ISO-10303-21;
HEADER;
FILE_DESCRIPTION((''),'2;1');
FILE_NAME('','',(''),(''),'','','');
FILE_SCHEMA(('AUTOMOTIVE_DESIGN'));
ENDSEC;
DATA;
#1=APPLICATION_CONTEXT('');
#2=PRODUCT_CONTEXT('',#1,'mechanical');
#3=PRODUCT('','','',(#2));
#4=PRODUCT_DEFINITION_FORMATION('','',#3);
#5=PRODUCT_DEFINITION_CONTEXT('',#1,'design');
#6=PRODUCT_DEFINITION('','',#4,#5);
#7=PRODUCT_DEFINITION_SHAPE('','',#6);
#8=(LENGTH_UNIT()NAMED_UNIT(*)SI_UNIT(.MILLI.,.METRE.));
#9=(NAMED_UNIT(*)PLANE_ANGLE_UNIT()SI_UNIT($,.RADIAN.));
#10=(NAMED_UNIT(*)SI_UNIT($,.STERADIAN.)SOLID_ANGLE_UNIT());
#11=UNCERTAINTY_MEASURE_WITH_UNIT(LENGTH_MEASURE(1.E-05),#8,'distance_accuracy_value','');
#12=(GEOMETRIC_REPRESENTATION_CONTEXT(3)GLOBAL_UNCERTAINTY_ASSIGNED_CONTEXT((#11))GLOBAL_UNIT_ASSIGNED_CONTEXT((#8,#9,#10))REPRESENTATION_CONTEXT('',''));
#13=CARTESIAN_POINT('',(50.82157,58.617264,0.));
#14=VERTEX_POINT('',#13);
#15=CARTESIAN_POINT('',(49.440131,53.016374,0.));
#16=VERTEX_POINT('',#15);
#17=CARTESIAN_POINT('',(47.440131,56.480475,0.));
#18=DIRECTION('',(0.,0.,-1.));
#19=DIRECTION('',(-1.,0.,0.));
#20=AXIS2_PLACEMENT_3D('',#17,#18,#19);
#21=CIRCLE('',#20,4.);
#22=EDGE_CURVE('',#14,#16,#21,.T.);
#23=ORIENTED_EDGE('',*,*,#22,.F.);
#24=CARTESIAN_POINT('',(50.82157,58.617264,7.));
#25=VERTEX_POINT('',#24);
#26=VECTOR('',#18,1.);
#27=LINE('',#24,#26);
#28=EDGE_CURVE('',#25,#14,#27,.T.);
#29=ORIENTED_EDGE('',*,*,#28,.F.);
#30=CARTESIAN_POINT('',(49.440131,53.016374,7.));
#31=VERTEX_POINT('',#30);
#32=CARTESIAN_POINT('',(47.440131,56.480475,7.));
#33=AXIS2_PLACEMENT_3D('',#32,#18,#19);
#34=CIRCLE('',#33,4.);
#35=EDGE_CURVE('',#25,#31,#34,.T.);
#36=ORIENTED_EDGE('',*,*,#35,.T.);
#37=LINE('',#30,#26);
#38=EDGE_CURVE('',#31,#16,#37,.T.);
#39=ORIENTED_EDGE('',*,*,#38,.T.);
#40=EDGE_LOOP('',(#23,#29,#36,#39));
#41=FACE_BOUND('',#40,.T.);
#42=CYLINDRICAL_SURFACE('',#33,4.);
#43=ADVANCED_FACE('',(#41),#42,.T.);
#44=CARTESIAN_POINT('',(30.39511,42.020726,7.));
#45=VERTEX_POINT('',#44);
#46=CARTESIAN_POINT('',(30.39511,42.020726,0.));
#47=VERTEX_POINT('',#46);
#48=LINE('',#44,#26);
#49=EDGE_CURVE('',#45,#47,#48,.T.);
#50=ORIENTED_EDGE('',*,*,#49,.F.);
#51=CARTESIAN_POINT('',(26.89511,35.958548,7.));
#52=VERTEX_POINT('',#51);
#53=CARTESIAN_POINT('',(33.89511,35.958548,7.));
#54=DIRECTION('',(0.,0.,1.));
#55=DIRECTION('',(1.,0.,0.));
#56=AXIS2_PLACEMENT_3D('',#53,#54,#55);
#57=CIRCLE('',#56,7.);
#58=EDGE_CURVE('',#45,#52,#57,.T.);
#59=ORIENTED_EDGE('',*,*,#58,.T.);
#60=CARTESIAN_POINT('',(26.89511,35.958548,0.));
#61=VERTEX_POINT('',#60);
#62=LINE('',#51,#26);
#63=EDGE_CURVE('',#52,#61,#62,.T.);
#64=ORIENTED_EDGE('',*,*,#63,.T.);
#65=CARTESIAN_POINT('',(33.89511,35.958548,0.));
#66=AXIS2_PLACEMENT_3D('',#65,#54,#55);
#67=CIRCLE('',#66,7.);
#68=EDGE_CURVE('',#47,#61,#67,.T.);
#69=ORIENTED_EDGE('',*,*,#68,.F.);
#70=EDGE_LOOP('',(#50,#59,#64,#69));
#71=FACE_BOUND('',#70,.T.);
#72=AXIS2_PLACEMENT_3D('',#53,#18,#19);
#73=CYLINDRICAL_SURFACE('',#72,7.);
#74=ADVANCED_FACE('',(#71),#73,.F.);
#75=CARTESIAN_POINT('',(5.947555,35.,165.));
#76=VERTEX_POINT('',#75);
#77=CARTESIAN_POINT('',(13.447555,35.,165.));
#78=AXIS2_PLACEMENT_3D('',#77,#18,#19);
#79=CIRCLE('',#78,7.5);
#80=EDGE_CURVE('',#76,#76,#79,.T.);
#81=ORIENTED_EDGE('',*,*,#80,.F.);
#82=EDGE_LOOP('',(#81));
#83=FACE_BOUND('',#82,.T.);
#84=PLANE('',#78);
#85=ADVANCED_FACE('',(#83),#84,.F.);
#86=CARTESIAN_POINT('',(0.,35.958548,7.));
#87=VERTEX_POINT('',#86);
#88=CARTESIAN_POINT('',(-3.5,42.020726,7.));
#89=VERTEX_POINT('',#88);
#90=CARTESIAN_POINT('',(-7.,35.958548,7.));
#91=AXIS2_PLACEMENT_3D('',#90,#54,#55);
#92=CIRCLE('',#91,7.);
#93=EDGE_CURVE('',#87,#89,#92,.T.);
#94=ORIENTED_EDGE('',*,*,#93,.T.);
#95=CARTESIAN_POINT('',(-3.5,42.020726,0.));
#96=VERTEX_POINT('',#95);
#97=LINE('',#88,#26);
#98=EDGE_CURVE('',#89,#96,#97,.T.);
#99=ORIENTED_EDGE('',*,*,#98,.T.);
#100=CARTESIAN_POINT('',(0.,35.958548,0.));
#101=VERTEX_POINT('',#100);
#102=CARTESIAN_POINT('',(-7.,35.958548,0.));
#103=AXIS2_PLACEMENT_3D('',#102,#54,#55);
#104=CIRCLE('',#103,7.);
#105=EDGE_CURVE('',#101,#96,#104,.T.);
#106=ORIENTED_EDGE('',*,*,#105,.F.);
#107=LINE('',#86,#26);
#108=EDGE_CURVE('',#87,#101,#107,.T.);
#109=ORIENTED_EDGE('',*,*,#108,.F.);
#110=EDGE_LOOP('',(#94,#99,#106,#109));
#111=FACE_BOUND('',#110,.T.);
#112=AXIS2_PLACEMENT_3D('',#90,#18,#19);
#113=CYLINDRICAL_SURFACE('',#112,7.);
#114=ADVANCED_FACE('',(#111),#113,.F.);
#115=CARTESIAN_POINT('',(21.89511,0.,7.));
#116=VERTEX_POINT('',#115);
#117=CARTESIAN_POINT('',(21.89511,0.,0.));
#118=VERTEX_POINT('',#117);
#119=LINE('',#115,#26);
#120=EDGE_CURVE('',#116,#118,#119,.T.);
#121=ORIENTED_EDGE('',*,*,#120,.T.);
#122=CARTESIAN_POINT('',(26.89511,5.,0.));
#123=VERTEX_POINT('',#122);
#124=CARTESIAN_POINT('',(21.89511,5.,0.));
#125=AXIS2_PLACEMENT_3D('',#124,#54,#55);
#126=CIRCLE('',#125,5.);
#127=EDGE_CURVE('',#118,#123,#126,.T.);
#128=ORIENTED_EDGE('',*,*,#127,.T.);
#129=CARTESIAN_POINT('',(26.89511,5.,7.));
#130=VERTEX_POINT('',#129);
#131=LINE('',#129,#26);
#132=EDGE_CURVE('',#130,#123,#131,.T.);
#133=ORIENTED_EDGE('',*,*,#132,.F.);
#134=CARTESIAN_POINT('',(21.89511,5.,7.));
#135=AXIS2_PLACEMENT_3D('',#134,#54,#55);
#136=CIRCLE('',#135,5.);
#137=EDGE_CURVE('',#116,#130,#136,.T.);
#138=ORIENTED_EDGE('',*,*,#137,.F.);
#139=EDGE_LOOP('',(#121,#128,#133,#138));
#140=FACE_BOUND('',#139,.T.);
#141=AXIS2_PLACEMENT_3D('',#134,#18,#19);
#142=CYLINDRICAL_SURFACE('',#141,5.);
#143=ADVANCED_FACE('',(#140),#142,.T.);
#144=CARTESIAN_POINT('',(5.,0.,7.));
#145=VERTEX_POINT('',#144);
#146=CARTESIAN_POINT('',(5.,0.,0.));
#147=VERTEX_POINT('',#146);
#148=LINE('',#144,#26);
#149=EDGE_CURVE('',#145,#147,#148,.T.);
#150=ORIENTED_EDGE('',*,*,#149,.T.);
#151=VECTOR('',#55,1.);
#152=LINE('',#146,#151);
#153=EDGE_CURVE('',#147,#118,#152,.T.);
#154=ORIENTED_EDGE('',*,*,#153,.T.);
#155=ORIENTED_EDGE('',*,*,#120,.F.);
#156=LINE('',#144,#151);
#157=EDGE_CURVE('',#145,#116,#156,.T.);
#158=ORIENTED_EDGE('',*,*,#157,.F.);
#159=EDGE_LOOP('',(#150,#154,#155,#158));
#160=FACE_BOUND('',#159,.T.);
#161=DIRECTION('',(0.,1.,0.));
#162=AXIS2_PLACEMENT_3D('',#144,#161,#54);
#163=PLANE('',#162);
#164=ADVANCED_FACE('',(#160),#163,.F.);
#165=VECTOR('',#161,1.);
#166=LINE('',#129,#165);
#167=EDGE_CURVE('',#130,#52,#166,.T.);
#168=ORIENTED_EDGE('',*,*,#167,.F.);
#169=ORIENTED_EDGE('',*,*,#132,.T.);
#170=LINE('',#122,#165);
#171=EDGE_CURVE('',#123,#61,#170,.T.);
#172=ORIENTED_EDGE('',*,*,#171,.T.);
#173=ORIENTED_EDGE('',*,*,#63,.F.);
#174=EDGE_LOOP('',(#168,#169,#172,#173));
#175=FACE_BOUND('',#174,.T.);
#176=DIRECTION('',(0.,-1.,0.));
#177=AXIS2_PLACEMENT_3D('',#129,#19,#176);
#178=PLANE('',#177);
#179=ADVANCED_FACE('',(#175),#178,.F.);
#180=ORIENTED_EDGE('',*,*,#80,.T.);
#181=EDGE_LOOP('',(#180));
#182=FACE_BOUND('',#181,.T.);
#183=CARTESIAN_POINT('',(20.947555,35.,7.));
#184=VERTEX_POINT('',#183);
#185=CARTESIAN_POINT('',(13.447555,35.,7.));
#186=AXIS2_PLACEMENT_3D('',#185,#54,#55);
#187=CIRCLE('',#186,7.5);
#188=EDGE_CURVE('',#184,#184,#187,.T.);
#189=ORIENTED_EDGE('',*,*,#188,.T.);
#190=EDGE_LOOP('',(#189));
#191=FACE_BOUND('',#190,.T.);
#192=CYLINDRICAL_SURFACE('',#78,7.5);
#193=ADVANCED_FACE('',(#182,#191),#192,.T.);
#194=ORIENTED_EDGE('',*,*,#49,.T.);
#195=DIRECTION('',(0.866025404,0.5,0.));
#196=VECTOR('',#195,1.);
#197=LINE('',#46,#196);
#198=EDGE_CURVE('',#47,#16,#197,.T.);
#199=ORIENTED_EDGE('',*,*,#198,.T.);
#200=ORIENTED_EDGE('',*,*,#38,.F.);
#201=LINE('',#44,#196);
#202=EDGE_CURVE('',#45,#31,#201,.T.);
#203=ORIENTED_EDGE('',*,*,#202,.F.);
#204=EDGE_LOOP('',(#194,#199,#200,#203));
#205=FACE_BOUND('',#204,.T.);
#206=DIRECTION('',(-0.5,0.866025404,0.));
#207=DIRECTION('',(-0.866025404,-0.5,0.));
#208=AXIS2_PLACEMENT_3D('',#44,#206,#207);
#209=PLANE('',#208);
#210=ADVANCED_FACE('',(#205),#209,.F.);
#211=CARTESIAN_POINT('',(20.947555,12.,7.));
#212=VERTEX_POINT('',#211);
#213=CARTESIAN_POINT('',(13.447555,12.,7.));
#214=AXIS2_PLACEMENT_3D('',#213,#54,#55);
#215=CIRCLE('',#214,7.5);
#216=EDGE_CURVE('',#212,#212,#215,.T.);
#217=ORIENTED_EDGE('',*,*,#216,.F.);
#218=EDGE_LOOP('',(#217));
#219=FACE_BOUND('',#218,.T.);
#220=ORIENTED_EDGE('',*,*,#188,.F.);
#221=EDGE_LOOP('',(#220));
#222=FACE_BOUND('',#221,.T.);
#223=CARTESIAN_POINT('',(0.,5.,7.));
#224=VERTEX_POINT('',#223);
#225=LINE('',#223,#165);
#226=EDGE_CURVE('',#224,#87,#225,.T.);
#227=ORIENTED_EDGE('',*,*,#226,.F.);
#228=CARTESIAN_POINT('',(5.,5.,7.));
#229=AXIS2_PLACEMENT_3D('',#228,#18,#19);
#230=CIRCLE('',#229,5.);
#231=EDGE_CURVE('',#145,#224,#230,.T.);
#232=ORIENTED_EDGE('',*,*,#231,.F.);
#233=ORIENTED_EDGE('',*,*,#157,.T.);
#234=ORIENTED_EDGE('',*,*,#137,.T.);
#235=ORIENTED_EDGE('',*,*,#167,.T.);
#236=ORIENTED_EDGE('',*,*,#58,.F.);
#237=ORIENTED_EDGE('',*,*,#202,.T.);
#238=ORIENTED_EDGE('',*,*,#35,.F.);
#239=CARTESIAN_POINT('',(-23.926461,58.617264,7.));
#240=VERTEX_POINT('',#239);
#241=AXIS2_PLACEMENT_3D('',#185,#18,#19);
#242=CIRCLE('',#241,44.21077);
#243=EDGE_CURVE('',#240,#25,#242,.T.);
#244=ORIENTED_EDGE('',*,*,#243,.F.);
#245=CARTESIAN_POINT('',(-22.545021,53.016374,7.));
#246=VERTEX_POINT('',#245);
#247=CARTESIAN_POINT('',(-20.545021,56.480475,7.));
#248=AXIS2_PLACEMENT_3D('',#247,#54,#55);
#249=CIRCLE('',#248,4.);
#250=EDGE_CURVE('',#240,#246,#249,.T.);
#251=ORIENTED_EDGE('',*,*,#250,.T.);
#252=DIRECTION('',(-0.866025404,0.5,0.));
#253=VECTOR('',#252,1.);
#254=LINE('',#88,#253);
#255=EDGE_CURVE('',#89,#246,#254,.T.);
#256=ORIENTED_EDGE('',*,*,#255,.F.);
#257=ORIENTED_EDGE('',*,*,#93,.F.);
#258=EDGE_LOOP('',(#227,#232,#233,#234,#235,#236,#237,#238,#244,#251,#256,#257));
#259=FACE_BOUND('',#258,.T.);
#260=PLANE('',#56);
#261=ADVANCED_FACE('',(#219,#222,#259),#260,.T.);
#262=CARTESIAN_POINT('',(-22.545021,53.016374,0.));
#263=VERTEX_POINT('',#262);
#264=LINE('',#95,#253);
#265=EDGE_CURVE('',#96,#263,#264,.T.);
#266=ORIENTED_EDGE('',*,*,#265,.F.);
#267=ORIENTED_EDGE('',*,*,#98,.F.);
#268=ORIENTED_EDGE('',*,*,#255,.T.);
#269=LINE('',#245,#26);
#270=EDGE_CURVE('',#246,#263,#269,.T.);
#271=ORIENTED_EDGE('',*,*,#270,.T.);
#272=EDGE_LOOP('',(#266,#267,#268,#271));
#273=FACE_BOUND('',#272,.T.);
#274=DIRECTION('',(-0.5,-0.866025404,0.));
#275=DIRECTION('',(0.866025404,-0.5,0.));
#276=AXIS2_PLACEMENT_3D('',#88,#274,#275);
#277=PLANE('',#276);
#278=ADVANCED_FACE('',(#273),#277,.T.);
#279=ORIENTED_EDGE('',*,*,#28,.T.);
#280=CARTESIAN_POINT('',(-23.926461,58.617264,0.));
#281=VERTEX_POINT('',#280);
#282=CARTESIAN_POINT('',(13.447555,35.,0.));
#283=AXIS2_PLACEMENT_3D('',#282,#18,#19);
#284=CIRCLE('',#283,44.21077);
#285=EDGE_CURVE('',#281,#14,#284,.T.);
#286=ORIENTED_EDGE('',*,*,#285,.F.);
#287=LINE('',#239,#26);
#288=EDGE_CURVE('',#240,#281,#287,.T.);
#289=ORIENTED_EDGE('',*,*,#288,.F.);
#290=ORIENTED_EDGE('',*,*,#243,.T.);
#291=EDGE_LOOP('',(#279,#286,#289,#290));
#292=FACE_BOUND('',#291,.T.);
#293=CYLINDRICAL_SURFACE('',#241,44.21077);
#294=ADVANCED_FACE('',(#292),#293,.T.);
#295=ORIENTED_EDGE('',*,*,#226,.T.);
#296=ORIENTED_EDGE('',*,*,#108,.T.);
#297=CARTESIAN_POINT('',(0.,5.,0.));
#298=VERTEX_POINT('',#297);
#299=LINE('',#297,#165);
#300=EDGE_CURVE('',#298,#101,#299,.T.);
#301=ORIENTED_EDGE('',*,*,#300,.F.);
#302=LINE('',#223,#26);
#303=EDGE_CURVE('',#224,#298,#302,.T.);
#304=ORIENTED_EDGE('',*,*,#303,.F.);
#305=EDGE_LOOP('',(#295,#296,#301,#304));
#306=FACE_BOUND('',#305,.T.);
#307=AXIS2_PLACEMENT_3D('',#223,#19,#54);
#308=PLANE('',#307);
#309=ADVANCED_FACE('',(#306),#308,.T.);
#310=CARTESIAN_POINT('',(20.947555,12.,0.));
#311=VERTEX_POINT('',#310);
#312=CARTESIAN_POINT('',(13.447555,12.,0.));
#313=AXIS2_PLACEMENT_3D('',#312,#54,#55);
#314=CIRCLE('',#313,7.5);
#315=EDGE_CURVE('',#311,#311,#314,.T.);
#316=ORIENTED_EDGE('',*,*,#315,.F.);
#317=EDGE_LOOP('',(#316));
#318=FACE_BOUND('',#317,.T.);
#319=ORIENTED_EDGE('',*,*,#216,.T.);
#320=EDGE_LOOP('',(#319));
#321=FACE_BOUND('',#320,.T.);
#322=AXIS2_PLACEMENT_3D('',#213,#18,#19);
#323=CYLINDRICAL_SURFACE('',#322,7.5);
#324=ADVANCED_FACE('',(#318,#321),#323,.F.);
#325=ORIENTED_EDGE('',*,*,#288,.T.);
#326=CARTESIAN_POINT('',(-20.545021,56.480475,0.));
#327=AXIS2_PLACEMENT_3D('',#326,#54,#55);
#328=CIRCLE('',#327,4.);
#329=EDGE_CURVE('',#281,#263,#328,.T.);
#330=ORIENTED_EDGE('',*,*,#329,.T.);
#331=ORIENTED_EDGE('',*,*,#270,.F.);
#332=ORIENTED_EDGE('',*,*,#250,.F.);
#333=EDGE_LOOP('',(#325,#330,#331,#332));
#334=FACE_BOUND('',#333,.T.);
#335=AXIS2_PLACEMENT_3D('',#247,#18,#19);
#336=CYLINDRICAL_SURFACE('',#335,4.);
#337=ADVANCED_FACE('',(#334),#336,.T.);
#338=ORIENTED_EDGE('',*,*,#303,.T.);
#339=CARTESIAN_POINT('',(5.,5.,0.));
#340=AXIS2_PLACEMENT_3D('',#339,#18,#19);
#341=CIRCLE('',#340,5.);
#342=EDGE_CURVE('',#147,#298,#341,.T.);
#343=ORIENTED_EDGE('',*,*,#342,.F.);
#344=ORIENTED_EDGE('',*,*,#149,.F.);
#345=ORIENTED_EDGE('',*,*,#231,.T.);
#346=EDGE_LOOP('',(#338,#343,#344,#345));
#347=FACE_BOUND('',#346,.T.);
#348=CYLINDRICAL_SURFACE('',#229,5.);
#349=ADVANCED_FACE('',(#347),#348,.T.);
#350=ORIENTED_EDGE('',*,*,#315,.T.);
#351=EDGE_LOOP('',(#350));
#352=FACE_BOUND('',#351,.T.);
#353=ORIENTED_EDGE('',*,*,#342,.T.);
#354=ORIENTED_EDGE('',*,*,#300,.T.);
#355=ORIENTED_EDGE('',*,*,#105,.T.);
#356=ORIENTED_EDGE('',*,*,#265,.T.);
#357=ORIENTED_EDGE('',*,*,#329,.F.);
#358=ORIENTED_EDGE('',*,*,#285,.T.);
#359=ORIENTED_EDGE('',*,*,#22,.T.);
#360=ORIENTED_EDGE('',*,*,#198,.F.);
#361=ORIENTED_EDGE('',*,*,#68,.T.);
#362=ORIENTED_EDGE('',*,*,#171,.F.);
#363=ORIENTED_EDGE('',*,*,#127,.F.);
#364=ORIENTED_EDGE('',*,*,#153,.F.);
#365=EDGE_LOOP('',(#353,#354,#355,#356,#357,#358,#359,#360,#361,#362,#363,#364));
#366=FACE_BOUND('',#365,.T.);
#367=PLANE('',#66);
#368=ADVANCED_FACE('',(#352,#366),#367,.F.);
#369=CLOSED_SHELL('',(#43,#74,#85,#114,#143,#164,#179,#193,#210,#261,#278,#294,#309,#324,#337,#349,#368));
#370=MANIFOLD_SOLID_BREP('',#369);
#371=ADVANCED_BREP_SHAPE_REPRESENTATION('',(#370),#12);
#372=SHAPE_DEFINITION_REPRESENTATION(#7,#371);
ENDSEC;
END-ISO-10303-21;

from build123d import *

# Parameters (mm, degrees)
SKETCH2_R           = 7.5
BOSS_EXTRUDE5_DEPTH = 7
SKETCH5_R           = 7.5
BOSS_EXTRUDE6_DEPTH = 165


with BuildPart() as part:
    # Sketch2 → Boss-Extrude5 (new body)
    with BuildSketch(Plane.XY):
        with BuildLine():
            Line((5, 0), (21.89510984, 0))
            ThreePointArc((21.89510984, 0), (25.430643746, 1.464466094), (26.89510984, 5))
            Line((26.89510984, 5), (26.89510984, 35.958548116))
            ThreePointArc((26.89510984, 35.958548116), (27.832932013, 39.458548116), (30.39510984, 42.020725942))
            Line((30.39510984, 42.020725942), (49.440130583, 53.016373795))
            ThreePointArc((49.440130583, 53.016373795), (51.323745621, 55.522595335), (50.821570497, 58.61726368))
            ThreePointArc((50.821570497, 58.61726368), (13.44755492, 79.210770001), (-23.926460657, 58.61726368))
            ThreePointArc((-23.926460657, 58.61726368), (-24.428635781, 55.522595335), (-22.545020743, 53.016373795))
            Line((-22.545020743, 53.016373795), (-3.5, 42.020725942))
            ThreePointArc((-3.5, 42.020725942), (-0.937822174, 39.458548116), (0, 35.958548116))
            Line((0, 35.958548116), (0, 5))
            ThreePointArc((0, 5), (1.464466094, 1.464466094), (5, 0))
        make_face()
        with Locations((13.44755492, 35)):
            Circle(SKETCH2_R, mode=Mode.SUBTRACT)
        with Locations((13.44755492, 12)):
            Circle(SKETCH2_R, mode=Mode.SUBTRACT)
    extrude(amount=BOSS_EXTRUDE5_DEPTH)

    # Sketch5 → Boss-Extrude6 (add)
    with BuildSketch(Plane(origin=(0, 0, 0), x_dir=(-1, 0, 0), z_dir=(0, 0, -1))):
        with Locations((-13.44755492, 35)):
            Circle(SKETCH5_R)
    extrude(amount=-BOSS_EXTRUDE6_DEPTH)


solid = part.part
